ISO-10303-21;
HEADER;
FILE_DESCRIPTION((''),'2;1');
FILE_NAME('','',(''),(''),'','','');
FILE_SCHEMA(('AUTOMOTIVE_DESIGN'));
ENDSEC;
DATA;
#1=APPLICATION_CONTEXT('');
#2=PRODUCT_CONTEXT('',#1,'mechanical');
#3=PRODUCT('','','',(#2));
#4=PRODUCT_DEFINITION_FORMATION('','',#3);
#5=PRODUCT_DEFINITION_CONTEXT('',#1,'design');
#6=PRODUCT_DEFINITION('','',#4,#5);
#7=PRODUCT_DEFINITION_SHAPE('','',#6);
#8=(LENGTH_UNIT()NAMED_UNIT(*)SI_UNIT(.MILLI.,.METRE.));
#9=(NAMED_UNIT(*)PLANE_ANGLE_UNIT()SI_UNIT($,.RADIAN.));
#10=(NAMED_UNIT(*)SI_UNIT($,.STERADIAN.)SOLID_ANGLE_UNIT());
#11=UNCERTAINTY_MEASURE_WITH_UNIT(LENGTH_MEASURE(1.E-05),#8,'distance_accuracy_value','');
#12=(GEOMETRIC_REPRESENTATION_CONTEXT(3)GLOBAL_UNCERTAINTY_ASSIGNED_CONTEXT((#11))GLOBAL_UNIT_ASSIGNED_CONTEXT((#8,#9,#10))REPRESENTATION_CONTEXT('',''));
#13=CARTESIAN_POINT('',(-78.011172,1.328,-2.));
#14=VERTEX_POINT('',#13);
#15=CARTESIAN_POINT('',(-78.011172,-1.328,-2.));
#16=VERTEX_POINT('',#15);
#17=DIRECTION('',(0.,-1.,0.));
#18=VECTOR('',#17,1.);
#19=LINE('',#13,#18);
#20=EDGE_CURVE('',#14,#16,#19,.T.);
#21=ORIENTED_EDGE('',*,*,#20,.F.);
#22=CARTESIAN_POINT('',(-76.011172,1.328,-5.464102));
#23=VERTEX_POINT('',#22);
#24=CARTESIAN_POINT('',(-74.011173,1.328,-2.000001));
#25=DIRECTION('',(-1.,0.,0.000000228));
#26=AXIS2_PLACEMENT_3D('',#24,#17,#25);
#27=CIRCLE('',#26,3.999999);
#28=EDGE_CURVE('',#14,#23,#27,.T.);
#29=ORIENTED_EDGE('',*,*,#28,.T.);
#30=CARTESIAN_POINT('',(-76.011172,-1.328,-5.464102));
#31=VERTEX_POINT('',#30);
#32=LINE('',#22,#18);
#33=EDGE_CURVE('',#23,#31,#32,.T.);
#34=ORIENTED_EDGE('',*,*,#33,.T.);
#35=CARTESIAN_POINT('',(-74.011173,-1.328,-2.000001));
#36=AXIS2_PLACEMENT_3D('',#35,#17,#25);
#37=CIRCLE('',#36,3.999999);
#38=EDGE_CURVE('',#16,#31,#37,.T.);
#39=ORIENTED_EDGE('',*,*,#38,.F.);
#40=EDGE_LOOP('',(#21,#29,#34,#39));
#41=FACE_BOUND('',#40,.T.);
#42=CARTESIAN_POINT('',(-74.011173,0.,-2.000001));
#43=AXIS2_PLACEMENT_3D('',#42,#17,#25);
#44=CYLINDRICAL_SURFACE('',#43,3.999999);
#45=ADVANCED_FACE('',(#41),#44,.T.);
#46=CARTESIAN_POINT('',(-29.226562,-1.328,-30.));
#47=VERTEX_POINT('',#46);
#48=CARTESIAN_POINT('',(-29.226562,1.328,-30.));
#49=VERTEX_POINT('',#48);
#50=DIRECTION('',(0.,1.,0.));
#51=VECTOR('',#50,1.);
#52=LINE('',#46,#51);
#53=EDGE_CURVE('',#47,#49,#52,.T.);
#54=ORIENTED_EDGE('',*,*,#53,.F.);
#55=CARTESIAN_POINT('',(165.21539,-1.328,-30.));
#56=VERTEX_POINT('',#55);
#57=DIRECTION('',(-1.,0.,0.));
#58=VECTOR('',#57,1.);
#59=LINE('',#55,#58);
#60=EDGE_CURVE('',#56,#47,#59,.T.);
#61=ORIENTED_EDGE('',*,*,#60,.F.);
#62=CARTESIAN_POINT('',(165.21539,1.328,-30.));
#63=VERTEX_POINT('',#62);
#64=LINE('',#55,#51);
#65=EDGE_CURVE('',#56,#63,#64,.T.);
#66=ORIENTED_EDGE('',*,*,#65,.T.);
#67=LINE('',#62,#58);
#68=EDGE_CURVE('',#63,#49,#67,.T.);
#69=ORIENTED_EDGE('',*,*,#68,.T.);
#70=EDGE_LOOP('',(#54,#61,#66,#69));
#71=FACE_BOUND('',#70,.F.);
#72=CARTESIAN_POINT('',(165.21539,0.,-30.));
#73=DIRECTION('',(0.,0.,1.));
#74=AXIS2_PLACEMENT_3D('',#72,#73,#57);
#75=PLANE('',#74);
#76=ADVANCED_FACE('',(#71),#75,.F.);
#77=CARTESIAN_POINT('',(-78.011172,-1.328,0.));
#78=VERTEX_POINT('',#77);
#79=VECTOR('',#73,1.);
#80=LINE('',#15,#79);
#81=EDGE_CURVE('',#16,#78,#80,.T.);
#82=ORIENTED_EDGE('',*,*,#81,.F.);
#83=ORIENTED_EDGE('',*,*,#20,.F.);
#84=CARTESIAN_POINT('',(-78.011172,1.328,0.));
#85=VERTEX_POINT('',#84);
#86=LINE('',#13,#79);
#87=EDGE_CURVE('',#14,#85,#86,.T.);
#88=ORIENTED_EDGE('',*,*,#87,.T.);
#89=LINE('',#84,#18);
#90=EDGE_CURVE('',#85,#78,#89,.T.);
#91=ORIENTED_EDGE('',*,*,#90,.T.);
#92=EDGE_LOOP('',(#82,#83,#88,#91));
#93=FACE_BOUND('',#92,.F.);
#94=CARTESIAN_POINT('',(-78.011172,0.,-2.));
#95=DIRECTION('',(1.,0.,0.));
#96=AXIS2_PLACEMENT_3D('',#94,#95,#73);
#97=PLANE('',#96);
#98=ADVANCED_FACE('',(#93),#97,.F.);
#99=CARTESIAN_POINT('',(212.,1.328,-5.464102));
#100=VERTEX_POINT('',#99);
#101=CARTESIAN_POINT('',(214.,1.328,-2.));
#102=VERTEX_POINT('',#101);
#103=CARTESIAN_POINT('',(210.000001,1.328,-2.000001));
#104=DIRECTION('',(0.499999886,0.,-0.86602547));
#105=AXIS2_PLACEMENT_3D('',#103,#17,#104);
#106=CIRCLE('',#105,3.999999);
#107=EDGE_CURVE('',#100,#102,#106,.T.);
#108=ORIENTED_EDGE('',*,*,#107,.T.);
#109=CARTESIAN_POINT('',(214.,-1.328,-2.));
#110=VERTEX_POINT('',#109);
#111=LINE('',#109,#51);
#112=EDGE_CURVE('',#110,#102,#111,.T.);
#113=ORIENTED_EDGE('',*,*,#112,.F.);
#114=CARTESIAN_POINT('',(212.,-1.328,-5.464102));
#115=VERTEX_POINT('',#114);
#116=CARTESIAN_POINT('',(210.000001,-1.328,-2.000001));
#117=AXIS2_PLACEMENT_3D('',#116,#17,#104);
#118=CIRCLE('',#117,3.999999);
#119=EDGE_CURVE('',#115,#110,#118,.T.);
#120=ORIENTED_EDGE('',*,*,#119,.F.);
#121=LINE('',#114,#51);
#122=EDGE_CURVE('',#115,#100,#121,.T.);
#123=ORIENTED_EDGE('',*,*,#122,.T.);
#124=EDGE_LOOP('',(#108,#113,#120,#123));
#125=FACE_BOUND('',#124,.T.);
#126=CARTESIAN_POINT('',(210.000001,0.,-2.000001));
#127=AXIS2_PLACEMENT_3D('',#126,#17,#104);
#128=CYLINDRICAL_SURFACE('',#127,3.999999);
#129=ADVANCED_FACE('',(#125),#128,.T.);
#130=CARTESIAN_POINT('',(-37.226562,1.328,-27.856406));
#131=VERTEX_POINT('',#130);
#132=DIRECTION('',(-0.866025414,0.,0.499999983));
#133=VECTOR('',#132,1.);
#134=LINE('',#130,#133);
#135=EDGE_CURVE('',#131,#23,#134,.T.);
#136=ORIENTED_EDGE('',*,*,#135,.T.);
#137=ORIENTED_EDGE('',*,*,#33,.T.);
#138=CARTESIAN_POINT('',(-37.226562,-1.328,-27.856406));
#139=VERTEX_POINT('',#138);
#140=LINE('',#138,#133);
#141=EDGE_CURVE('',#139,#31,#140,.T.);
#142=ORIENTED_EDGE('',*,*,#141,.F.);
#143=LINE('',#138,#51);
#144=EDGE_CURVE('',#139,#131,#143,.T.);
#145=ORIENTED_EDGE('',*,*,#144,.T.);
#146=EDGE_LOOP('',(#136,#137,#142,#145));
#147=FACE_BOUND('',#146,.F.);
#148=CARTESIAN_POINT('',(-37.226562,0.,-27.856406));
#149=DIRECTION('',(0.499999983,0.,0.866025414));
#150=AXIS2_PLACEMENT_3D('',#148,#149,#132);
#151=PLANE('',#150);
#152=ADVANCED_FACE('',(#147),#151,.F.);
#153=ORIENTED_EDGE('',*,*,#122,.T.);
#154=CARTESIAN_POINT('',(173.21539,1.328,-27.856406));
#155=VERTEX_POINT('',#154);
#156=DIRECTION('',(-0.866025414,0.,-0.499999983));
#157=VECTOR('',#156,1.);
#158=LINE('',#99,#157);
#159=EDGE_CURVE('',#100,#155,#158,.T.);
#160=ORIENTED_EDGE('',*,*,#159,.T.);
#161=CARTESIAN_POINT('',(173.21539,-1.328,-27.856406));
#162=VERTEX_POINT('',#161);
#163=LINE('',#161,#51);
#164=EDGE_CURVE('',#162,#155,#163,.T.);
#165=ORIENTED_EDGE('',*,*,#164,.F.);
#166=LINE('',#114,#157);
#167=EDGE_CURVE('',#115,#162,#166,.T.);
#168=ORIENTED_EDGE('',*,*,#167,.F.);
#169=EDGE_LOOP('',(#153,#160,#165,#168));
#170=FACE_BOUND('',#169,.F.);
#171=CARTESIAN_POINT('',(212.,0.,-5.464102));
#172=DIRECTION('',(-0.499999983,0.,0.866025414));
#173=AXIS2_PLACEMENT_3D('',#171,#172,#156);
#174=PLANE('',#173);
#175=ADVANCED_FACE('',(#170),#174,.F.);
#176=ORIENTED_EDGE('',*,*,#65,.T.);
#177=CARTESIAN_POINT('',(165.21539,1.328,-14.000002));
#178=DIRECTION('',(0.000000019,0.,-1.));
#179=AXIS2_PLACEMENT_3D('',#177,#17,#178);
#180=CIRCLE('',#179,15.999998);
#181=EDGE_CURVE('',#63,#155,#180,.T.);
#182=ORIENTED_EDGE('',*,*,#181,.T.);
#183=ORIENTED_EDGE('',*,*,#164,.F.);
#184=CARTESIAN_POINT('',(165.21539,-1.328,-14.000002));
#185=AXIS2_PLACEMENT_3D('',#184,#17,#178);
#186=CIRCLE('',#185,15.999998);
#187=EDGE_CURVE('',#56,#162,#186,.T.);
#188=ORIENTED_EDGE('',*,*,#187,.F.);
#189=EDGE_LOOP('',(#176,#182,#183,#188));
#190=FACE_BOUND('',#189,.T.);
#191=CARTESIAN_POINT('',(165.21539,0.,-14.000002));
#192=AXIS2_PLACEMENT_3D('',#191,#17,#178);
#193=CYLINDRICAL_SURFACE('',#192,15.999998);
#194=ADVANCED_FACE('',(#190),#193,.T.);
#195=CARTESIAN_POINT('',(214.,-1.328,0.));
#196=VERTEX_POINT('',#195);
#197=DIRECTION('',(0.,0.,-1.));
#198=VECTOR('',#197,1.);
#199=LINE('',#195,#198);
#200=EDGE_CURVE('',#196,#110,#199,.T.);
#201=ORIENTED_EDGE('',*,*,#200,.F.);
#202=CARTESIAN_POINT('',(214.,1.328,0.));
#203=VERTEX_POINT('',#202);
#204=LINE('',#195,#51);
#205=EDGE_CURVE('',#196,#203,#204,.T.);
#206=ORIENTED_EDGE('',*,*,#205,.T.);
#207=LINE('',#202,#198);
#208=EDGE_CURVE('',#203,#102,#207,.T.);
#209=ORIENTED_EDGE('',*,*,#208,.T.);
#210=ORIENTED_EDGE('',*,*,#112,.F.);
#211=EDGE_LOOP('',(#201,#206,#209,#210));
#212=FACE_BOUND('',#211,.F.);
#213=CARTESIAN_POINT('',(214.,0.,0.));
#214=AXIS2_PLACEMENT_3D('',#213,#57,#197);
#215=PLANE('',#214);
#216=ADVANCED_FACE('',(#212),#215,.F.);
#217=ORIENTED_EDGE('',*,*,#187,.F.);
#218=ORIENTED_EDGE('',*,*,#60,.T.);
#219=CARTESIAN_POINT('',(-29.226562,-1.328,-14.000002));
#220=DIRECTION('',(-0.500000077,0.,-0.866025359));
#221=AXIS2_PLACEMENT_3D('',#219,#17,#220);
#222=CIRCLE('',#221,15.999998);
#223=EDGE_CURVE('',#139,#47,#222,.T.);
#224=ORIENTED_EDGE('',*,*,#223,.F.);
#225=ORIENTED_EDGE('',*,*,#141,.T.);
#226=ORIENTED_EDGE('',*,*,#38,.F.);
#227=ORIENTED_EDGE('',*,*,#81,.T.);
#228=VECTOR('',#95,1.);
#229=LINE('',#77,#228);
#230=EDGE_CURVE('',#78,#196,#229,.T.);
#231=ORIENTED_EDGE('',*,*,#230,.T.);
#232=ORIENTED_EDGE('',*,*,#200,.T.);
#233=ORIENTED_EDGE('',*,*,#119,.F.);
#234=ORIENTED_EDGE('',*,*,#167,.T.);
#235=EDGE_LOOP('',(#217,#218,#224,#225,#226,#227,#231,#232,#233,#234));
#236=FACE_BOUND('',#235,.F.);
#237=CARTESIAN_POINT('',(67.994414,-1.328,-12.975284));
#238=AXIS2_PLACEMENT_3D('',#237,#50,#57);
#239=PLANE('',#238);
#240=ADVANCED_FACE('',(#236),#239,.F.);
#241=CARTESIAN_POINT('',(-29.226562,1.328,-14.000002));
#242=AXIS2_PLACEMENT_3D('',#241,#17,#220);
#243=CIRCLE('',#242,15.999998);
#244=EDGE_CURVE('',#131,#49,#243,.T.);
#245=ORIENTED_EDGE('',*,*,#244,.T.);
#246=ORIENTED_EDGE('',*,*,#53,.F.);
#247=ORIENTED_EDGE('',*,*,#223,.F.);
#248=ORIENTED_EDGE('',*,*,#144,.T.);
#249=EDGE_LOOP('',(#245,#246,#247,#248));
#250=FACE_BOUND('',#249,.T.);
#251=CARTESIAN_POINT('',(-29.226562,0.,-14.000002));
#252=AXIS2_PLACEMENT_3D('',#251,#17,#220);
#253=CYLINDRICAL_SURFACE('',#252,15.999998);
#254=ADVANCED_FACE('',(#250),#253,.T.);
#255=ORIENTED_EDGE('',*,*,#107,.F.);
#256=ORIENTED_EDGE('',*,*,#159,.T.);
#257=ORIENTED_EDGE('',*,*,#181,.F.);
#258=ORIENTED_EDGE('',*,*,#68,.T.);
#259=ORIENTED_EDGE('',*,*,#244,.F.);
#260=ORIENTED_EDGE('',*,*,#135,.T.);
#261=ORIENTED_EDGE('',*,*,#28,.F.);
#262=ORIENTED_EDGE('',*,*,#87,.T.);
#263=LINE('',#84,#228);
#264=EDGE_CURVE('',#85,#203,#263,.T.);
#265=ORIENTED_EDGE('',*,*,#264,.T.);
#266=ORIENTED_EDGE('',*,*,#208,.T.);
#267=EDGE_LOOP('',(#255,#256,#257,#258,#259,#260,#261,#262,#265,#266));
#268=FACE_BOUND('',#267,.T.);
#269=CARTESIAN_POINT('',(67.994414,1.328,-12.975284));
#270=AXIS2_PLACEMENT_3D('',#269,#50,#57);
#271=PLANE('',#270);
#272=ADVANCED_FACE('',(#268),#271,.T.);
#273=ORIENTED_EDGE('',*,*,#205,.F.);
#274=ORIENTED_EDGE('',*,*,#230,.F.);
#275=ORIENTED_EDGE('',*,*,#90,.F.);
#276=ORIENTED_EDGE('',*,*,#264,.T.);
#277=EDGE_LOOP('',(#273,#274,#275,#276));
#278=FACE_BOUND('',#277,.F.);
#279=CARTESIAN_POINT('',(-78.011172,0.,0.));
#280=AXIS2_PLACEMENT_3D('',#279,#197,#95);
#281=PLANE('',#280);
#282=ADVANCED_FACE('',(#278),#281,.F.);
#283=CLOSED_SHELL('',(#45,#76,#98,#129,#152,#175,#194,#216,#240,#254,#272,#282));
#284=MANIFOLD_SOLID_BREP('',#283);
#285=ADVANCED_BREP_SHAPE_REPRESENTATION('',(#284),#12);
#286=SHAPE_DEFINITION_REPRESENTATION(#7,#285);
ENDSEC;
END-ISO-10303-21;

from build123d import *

# Parameters (mm, degrees)
PAD_DEPTH = 1.328


with BuildPart() as part:
    # Sketch → Pad (new body, symmetric)
    with BuildSketch(Plane.XZ):
        with BuildLine():
            Line((-78.011172, 0), (214, 0))
            Line((214, 0), (214, -2))
            ThreePointArc((212, -5.464102), (213.464102, -4), (214, -2))
            Line((212, -5.464102), (173.21539, -27.856406))
            ThreePointArc((165.21539, -30), (169.356495, -29.454813), (173.21539, -27.856406))
            Line((165.21539, -30), (-29.226562, -30))
            ThreePointArc((-37.226562, -27.856406), (-33.367667, -29.454813), (-29.226562, -30))
            Line((-37.226562, -27.856406), (-76.011172, -5.464102))
            ThreePointArc((-78.011172, -2), (-77.475274, -4), (-76.011172, -5.464102))
            Line((-78.011172, -2), (-78.011172, 0))
        make_face()
    extrude(amount=PAD_DEPTH, both=True)


solid = part.part
